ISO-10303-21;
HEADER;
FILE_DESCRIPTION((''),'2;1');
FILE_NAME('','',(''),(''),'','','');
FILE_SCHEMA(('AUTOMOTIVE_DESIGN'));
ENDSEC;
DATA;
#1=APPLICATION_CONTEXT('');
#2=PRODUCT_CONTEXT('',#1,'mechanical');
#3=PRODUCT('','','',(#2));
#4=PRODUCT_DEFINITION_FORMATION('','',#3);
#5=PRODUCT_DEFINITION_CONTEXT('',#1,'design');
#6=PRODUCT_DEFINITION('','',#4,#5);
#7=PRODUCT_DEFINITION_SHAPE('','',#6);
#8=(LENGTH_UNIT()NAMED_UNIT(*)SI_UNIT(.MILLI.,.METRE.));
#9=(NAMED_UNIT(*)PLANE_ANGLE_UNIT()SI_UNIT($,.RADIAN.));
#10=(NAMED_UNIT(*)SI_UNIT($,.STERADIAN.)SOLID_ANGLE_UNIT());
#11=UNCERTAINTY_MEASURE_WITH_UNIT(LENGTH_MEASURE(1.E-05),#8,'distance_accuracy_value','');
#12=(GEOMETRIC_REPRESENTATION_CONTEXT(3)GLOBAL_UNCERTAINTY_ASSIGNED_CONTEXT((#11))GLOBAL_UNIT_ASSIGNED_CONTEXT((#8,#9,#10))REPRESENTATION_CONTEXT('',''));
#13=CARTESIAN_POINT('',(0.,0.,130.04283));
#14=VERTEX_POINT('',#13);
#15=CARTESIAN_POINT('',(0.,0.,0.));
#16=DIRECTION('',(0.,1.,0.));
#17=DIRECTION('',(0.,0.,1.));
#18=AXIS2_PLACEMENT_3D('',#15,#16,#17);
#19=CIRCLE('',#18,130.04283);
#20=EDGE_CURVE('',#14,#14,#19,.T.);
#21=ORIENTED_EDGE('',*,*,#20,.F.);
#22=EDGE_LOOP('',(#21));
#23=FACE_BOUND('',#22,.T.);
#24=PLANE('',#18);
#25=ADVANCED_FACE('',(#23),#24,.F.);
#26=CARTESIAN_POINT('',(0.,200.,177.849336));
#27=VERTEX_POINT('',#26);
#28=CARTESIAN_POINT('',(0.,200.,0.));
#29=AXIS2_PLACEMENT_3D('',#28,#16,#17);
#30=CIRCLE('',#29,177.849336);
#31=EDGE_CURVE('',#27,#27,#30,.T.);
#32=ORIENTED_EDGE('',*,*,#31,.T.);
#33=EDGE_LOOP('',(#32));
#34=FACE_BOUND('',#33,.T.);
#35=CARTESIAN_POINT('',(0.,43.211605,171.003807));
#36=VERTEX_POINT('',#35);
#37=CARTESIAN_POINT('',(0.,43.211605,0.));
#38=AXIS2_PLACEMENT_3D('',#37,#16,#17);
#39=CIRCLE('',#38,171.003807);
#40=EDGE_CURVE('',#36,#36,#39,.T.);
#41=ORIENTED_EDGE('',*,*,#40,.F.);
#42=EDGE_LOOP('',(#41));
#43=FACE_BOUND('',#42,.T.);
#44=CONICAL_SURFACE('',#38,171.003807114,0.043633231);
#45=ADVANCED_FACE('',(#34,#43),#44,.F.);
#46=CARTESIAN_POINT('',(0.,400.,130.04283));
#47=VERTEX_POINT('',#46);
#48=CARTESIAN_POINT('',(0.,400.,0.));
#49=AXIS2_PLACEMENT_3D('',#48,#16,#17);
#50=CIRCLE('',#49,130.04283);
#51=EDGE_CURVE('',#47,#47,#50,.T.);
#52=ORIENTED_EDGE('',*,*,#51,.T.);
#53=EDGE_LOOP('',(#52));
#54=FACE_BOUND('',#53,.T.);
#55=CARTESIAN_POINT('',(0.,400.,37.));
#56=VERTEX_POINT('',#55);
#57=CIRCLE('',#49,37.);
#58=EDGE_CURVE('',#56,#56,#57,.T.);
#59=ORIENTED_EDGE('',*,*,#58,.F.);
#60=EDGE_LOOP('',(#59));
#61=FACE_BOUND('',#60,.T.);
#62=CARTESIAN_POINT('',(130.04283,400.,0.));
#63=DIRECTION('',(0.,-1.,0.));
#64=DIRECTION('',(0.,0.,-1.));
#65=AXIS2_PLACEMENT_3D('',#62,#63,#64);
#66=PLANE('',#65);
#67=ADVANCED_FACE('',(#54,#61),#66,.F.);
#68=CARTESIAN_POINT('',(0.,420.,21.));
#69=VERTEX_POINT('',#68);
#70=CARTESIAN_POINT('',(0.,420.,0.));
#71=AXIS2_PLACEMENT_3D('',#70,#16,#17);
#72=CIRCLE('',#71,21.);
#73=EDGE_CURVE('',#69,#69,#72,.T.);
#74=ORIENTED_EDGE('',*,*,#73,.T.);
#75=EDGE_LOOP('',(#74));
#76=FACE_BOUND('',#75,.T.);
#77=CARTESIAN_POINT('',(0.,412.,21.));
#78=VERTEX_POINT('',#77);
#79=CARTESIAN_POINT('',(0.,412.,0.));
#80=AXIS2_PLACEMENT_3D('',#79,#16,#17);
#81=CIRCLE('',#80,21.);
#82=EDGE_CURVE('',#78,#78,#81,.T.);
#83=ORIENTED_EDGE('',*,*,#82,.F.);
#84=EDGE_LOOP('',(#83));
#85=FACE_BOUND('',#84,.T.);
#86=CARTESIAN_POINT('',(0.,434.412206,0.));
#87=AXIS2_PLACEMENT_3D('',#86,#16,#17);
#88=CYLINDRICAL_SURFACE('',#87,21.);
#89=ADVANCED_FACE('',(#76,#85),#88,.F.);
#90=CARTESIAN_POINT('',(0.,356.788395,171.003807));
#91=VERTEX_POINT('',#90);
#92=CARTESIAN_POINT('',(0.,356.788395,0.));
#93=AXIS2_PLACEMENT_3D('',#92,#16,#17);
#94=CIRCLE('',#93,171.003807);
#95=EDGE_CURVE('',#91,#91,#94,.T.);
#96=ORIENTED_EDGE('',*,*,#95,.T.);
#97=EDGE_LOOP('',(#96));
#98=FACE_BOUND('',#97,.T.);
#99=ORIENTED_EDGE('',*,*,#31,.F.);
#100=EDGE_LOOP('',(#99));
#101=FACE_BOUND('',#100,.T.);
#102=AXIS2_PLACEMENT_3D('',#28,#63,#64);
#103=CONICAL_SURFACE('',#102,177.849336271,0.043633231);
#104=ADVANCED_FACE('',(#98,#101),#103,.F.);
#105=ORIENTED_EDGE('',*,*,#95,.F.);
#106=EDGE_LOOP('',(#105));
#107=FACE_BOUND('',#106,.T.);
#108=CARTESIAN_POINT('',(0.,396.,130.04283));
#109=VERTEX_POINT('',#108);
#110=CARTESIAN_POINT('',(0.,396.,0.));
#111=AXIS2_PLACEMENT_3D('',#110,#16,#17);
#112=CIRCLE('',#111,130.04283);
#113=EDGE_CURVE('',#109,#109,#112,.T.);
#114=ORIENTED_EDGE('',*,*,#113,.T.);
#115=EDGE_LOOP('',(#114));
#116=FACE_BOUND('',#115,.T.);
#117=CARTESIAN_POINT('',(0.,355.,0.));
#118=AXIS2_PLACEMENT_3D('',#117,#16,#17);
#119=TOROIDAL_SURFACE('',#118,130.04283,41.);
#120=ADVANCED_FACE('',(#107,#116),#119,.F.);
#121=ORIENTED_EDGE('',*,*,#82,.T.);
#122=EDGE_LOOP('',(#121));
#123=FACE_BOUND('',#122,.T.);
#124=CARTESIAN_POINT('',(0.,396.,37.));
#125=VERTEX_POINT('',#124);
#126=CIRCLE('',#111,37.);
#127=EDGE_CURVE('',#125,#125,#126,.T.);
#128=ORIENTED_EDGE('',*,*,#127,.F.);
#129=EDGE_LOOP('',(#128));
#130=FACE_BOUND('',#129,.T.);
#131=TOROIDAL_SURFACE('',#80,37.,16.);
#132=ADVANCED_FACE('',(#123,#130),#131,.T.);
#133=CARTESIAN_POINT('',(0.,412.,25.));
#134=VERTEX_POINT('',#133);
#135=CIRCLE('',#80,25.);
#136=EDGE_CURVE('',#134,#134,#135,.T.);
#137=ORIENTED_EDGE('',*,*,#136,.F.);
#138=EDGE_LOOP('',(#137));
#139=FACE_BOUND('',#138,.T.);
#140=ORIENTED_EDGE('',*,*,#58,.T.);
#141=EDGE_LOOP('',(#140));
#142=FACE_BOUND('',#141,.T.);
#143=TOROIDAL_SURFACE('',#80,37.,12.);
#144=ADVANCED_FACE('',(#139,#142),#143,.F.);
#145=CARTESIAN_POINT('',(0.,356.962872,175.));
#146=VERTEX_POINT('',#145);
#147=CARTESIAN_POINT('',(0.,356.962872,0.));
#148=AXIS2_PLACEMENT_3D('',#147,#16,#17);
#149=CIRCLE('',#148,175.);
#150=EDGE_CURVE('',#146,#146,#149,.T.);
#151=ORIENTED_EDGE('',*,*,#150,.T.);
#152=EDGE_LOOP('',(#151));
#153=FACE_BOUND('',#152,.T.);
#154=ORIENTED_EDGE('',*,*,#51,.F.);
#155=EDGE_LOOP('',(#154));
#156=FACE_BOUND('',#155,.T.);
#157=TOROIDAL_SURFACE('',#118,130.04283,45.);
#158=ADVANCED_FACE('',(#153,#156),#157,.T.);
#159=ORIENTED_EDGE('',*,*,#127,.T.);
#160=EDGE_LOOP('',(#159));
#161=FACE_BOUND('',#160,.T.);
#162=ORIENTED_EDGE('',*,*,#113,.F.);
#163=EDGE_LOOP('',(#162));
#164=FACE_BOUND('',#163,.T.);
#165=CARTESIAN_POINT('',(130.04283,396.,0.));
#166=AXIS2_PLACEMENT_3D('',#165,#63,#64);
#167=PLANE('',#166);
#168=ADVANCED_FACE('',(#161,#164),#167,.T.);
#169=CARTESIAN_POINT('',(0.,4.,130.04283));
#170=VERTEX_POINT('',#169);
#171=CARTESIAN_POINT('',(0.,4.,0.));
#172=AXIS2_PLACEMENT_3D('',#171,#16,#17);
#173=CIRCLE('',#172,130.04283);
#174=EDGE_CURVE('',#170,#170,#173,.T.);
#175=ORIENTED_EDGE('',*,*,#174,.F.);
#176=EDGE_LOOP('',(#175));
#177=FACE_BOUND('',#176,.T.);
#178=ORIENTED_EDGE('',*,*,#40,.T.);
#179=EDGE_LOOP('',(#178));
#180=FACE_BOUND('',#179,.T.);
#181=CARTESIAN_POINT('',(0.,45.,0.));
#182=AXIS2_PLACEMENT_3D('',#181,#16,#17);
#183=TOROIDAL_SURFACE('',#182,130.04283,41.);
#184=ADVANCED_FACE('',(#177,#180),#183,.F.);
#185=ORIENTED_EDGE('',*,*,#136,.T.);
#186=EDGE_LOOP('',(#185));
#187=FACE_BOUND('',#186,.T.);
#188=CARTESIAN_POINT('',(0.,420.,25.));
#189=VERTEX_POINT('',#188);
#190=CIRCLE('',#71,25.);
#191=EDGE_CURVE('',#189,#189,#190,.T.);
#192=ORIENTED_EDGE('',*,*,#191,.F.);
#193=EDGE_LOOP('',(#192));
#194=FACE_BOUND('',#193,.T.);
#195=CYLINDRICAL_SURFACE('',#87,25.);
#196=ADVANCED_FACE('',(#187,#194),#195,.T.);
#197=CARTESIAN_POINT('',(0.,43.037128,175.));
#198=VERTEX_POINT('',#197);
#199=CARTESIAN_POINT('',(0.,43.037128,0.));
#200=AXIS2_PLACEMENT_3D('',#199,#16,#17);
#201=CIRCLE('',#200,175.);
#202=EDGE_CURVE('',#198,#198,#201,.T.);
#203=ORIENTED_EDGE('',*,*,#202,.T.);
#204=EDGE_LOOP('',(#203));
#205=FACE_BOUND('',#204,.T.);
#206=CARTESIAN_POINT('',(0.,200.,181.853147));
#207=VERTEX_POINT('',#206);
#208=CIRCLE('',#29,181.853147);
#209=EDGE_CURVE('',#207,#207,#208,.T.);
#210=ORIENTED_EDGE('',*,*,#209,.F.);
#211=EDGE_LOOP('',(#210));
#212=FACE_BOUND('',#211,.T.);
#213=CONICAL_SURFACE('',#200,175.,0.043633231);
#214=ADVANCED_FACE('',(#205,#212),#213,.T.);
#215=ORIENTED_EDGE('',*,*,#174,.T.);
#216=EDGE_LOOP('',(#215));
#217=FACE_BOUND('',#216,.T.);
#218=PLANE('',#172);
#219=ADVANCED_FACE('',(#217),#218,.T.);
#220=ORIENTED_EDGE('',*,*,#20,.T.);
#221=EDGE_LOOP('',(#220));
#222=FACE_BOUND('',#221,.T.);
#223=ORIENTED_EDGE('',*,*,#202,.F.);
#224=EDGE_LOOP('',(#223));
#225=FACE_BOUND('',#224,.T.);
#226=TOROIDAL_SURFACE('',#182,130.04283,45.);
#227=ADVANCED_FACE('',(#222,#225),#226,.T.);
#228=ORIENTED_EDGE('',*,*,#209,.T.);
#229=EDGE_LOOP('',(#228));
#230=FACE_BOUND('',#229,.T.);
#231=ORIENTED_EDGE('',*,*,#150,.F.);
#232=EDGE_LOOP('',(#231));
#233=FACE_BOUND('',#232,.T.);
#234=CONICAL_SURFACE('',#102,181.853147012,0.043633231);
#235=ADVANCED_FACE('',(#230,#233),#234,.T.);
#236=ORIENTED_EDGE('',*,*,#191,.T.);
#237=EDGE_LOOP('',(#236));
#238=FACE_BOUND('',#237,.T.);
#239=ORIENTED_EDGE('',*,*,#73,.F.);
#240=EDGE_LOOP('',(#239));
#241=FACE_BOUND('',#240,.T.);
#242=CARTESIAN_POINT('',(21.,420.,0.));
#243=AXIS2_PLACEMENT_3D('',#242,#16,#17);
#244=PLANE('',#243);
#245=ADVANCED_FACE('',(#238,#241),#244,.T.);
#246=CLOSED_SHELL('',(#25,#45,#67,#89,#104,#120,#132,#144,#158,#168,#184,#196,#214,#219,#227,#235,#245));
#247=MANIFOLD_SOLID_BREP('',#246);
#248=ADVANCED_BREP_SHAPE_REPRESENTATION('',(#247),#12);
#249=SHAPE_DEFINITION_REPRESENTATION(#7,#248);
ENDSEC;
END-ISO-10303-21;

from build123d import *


with BuildPart() as part:
    # Sketch1 → Revolve1 (revolve)
    with BuildSketch(Plane.XY, mode=Mode.PRIVATE) as revolve1_sk:
        with BuildLine():
            Line((0, 0), (130.042830029, 0))
            ThreePointArc((130.042830029, 0), (161.160917539, 12.493621707), (175, 43.037127569))
            Line((175, 43.037127569), (181.853147012, 200))
            Line((181.853147012, 200), (175, 356.962872431))
            ThreePointArc((175, 356.962872431), (161.160917539, 387.506378293), (130.042830029, 400))
            Line((130.042830029, 400), (37, 400))
            ThreePointArc((37, 400), (28.514718626, 403.514718626), (25, 412))
            Line((25, 412), (25, 420))
            Line((25, 420), (21, 420))
            Line((21, 420), (21, 412))
            ThreePointArc((21, 412), (25.686291501, 400.686291501), (37, 396))
            Line((37, 396), (130.042830029, 396))
            ThreePointArc((130.042830029, 396), (158.394865316, 384.616922444), (171.003807114, 356.788394882))
            Line((171.003807114, 356.788394882), (177.849336271, 200))
            Line((177.849336271, 200), (171.003807114, 43.211605118))
            ThreePointArc((171.003807114, 43.211605118), (158.394865316, 15.383077556), (130.042830029, 4))
            Line((130.042830029, 4), (0, 4))
            Line((0, 4), (0, 0))
        make_face()
    revolve(revolve1_sk.sketch.rotate(Axis((0, 434.412205838, 0), (0, -1, 0)), 90), axis=Axis((0, 434.412205838, 0), (0, -1, 0)))


solid = part.part
